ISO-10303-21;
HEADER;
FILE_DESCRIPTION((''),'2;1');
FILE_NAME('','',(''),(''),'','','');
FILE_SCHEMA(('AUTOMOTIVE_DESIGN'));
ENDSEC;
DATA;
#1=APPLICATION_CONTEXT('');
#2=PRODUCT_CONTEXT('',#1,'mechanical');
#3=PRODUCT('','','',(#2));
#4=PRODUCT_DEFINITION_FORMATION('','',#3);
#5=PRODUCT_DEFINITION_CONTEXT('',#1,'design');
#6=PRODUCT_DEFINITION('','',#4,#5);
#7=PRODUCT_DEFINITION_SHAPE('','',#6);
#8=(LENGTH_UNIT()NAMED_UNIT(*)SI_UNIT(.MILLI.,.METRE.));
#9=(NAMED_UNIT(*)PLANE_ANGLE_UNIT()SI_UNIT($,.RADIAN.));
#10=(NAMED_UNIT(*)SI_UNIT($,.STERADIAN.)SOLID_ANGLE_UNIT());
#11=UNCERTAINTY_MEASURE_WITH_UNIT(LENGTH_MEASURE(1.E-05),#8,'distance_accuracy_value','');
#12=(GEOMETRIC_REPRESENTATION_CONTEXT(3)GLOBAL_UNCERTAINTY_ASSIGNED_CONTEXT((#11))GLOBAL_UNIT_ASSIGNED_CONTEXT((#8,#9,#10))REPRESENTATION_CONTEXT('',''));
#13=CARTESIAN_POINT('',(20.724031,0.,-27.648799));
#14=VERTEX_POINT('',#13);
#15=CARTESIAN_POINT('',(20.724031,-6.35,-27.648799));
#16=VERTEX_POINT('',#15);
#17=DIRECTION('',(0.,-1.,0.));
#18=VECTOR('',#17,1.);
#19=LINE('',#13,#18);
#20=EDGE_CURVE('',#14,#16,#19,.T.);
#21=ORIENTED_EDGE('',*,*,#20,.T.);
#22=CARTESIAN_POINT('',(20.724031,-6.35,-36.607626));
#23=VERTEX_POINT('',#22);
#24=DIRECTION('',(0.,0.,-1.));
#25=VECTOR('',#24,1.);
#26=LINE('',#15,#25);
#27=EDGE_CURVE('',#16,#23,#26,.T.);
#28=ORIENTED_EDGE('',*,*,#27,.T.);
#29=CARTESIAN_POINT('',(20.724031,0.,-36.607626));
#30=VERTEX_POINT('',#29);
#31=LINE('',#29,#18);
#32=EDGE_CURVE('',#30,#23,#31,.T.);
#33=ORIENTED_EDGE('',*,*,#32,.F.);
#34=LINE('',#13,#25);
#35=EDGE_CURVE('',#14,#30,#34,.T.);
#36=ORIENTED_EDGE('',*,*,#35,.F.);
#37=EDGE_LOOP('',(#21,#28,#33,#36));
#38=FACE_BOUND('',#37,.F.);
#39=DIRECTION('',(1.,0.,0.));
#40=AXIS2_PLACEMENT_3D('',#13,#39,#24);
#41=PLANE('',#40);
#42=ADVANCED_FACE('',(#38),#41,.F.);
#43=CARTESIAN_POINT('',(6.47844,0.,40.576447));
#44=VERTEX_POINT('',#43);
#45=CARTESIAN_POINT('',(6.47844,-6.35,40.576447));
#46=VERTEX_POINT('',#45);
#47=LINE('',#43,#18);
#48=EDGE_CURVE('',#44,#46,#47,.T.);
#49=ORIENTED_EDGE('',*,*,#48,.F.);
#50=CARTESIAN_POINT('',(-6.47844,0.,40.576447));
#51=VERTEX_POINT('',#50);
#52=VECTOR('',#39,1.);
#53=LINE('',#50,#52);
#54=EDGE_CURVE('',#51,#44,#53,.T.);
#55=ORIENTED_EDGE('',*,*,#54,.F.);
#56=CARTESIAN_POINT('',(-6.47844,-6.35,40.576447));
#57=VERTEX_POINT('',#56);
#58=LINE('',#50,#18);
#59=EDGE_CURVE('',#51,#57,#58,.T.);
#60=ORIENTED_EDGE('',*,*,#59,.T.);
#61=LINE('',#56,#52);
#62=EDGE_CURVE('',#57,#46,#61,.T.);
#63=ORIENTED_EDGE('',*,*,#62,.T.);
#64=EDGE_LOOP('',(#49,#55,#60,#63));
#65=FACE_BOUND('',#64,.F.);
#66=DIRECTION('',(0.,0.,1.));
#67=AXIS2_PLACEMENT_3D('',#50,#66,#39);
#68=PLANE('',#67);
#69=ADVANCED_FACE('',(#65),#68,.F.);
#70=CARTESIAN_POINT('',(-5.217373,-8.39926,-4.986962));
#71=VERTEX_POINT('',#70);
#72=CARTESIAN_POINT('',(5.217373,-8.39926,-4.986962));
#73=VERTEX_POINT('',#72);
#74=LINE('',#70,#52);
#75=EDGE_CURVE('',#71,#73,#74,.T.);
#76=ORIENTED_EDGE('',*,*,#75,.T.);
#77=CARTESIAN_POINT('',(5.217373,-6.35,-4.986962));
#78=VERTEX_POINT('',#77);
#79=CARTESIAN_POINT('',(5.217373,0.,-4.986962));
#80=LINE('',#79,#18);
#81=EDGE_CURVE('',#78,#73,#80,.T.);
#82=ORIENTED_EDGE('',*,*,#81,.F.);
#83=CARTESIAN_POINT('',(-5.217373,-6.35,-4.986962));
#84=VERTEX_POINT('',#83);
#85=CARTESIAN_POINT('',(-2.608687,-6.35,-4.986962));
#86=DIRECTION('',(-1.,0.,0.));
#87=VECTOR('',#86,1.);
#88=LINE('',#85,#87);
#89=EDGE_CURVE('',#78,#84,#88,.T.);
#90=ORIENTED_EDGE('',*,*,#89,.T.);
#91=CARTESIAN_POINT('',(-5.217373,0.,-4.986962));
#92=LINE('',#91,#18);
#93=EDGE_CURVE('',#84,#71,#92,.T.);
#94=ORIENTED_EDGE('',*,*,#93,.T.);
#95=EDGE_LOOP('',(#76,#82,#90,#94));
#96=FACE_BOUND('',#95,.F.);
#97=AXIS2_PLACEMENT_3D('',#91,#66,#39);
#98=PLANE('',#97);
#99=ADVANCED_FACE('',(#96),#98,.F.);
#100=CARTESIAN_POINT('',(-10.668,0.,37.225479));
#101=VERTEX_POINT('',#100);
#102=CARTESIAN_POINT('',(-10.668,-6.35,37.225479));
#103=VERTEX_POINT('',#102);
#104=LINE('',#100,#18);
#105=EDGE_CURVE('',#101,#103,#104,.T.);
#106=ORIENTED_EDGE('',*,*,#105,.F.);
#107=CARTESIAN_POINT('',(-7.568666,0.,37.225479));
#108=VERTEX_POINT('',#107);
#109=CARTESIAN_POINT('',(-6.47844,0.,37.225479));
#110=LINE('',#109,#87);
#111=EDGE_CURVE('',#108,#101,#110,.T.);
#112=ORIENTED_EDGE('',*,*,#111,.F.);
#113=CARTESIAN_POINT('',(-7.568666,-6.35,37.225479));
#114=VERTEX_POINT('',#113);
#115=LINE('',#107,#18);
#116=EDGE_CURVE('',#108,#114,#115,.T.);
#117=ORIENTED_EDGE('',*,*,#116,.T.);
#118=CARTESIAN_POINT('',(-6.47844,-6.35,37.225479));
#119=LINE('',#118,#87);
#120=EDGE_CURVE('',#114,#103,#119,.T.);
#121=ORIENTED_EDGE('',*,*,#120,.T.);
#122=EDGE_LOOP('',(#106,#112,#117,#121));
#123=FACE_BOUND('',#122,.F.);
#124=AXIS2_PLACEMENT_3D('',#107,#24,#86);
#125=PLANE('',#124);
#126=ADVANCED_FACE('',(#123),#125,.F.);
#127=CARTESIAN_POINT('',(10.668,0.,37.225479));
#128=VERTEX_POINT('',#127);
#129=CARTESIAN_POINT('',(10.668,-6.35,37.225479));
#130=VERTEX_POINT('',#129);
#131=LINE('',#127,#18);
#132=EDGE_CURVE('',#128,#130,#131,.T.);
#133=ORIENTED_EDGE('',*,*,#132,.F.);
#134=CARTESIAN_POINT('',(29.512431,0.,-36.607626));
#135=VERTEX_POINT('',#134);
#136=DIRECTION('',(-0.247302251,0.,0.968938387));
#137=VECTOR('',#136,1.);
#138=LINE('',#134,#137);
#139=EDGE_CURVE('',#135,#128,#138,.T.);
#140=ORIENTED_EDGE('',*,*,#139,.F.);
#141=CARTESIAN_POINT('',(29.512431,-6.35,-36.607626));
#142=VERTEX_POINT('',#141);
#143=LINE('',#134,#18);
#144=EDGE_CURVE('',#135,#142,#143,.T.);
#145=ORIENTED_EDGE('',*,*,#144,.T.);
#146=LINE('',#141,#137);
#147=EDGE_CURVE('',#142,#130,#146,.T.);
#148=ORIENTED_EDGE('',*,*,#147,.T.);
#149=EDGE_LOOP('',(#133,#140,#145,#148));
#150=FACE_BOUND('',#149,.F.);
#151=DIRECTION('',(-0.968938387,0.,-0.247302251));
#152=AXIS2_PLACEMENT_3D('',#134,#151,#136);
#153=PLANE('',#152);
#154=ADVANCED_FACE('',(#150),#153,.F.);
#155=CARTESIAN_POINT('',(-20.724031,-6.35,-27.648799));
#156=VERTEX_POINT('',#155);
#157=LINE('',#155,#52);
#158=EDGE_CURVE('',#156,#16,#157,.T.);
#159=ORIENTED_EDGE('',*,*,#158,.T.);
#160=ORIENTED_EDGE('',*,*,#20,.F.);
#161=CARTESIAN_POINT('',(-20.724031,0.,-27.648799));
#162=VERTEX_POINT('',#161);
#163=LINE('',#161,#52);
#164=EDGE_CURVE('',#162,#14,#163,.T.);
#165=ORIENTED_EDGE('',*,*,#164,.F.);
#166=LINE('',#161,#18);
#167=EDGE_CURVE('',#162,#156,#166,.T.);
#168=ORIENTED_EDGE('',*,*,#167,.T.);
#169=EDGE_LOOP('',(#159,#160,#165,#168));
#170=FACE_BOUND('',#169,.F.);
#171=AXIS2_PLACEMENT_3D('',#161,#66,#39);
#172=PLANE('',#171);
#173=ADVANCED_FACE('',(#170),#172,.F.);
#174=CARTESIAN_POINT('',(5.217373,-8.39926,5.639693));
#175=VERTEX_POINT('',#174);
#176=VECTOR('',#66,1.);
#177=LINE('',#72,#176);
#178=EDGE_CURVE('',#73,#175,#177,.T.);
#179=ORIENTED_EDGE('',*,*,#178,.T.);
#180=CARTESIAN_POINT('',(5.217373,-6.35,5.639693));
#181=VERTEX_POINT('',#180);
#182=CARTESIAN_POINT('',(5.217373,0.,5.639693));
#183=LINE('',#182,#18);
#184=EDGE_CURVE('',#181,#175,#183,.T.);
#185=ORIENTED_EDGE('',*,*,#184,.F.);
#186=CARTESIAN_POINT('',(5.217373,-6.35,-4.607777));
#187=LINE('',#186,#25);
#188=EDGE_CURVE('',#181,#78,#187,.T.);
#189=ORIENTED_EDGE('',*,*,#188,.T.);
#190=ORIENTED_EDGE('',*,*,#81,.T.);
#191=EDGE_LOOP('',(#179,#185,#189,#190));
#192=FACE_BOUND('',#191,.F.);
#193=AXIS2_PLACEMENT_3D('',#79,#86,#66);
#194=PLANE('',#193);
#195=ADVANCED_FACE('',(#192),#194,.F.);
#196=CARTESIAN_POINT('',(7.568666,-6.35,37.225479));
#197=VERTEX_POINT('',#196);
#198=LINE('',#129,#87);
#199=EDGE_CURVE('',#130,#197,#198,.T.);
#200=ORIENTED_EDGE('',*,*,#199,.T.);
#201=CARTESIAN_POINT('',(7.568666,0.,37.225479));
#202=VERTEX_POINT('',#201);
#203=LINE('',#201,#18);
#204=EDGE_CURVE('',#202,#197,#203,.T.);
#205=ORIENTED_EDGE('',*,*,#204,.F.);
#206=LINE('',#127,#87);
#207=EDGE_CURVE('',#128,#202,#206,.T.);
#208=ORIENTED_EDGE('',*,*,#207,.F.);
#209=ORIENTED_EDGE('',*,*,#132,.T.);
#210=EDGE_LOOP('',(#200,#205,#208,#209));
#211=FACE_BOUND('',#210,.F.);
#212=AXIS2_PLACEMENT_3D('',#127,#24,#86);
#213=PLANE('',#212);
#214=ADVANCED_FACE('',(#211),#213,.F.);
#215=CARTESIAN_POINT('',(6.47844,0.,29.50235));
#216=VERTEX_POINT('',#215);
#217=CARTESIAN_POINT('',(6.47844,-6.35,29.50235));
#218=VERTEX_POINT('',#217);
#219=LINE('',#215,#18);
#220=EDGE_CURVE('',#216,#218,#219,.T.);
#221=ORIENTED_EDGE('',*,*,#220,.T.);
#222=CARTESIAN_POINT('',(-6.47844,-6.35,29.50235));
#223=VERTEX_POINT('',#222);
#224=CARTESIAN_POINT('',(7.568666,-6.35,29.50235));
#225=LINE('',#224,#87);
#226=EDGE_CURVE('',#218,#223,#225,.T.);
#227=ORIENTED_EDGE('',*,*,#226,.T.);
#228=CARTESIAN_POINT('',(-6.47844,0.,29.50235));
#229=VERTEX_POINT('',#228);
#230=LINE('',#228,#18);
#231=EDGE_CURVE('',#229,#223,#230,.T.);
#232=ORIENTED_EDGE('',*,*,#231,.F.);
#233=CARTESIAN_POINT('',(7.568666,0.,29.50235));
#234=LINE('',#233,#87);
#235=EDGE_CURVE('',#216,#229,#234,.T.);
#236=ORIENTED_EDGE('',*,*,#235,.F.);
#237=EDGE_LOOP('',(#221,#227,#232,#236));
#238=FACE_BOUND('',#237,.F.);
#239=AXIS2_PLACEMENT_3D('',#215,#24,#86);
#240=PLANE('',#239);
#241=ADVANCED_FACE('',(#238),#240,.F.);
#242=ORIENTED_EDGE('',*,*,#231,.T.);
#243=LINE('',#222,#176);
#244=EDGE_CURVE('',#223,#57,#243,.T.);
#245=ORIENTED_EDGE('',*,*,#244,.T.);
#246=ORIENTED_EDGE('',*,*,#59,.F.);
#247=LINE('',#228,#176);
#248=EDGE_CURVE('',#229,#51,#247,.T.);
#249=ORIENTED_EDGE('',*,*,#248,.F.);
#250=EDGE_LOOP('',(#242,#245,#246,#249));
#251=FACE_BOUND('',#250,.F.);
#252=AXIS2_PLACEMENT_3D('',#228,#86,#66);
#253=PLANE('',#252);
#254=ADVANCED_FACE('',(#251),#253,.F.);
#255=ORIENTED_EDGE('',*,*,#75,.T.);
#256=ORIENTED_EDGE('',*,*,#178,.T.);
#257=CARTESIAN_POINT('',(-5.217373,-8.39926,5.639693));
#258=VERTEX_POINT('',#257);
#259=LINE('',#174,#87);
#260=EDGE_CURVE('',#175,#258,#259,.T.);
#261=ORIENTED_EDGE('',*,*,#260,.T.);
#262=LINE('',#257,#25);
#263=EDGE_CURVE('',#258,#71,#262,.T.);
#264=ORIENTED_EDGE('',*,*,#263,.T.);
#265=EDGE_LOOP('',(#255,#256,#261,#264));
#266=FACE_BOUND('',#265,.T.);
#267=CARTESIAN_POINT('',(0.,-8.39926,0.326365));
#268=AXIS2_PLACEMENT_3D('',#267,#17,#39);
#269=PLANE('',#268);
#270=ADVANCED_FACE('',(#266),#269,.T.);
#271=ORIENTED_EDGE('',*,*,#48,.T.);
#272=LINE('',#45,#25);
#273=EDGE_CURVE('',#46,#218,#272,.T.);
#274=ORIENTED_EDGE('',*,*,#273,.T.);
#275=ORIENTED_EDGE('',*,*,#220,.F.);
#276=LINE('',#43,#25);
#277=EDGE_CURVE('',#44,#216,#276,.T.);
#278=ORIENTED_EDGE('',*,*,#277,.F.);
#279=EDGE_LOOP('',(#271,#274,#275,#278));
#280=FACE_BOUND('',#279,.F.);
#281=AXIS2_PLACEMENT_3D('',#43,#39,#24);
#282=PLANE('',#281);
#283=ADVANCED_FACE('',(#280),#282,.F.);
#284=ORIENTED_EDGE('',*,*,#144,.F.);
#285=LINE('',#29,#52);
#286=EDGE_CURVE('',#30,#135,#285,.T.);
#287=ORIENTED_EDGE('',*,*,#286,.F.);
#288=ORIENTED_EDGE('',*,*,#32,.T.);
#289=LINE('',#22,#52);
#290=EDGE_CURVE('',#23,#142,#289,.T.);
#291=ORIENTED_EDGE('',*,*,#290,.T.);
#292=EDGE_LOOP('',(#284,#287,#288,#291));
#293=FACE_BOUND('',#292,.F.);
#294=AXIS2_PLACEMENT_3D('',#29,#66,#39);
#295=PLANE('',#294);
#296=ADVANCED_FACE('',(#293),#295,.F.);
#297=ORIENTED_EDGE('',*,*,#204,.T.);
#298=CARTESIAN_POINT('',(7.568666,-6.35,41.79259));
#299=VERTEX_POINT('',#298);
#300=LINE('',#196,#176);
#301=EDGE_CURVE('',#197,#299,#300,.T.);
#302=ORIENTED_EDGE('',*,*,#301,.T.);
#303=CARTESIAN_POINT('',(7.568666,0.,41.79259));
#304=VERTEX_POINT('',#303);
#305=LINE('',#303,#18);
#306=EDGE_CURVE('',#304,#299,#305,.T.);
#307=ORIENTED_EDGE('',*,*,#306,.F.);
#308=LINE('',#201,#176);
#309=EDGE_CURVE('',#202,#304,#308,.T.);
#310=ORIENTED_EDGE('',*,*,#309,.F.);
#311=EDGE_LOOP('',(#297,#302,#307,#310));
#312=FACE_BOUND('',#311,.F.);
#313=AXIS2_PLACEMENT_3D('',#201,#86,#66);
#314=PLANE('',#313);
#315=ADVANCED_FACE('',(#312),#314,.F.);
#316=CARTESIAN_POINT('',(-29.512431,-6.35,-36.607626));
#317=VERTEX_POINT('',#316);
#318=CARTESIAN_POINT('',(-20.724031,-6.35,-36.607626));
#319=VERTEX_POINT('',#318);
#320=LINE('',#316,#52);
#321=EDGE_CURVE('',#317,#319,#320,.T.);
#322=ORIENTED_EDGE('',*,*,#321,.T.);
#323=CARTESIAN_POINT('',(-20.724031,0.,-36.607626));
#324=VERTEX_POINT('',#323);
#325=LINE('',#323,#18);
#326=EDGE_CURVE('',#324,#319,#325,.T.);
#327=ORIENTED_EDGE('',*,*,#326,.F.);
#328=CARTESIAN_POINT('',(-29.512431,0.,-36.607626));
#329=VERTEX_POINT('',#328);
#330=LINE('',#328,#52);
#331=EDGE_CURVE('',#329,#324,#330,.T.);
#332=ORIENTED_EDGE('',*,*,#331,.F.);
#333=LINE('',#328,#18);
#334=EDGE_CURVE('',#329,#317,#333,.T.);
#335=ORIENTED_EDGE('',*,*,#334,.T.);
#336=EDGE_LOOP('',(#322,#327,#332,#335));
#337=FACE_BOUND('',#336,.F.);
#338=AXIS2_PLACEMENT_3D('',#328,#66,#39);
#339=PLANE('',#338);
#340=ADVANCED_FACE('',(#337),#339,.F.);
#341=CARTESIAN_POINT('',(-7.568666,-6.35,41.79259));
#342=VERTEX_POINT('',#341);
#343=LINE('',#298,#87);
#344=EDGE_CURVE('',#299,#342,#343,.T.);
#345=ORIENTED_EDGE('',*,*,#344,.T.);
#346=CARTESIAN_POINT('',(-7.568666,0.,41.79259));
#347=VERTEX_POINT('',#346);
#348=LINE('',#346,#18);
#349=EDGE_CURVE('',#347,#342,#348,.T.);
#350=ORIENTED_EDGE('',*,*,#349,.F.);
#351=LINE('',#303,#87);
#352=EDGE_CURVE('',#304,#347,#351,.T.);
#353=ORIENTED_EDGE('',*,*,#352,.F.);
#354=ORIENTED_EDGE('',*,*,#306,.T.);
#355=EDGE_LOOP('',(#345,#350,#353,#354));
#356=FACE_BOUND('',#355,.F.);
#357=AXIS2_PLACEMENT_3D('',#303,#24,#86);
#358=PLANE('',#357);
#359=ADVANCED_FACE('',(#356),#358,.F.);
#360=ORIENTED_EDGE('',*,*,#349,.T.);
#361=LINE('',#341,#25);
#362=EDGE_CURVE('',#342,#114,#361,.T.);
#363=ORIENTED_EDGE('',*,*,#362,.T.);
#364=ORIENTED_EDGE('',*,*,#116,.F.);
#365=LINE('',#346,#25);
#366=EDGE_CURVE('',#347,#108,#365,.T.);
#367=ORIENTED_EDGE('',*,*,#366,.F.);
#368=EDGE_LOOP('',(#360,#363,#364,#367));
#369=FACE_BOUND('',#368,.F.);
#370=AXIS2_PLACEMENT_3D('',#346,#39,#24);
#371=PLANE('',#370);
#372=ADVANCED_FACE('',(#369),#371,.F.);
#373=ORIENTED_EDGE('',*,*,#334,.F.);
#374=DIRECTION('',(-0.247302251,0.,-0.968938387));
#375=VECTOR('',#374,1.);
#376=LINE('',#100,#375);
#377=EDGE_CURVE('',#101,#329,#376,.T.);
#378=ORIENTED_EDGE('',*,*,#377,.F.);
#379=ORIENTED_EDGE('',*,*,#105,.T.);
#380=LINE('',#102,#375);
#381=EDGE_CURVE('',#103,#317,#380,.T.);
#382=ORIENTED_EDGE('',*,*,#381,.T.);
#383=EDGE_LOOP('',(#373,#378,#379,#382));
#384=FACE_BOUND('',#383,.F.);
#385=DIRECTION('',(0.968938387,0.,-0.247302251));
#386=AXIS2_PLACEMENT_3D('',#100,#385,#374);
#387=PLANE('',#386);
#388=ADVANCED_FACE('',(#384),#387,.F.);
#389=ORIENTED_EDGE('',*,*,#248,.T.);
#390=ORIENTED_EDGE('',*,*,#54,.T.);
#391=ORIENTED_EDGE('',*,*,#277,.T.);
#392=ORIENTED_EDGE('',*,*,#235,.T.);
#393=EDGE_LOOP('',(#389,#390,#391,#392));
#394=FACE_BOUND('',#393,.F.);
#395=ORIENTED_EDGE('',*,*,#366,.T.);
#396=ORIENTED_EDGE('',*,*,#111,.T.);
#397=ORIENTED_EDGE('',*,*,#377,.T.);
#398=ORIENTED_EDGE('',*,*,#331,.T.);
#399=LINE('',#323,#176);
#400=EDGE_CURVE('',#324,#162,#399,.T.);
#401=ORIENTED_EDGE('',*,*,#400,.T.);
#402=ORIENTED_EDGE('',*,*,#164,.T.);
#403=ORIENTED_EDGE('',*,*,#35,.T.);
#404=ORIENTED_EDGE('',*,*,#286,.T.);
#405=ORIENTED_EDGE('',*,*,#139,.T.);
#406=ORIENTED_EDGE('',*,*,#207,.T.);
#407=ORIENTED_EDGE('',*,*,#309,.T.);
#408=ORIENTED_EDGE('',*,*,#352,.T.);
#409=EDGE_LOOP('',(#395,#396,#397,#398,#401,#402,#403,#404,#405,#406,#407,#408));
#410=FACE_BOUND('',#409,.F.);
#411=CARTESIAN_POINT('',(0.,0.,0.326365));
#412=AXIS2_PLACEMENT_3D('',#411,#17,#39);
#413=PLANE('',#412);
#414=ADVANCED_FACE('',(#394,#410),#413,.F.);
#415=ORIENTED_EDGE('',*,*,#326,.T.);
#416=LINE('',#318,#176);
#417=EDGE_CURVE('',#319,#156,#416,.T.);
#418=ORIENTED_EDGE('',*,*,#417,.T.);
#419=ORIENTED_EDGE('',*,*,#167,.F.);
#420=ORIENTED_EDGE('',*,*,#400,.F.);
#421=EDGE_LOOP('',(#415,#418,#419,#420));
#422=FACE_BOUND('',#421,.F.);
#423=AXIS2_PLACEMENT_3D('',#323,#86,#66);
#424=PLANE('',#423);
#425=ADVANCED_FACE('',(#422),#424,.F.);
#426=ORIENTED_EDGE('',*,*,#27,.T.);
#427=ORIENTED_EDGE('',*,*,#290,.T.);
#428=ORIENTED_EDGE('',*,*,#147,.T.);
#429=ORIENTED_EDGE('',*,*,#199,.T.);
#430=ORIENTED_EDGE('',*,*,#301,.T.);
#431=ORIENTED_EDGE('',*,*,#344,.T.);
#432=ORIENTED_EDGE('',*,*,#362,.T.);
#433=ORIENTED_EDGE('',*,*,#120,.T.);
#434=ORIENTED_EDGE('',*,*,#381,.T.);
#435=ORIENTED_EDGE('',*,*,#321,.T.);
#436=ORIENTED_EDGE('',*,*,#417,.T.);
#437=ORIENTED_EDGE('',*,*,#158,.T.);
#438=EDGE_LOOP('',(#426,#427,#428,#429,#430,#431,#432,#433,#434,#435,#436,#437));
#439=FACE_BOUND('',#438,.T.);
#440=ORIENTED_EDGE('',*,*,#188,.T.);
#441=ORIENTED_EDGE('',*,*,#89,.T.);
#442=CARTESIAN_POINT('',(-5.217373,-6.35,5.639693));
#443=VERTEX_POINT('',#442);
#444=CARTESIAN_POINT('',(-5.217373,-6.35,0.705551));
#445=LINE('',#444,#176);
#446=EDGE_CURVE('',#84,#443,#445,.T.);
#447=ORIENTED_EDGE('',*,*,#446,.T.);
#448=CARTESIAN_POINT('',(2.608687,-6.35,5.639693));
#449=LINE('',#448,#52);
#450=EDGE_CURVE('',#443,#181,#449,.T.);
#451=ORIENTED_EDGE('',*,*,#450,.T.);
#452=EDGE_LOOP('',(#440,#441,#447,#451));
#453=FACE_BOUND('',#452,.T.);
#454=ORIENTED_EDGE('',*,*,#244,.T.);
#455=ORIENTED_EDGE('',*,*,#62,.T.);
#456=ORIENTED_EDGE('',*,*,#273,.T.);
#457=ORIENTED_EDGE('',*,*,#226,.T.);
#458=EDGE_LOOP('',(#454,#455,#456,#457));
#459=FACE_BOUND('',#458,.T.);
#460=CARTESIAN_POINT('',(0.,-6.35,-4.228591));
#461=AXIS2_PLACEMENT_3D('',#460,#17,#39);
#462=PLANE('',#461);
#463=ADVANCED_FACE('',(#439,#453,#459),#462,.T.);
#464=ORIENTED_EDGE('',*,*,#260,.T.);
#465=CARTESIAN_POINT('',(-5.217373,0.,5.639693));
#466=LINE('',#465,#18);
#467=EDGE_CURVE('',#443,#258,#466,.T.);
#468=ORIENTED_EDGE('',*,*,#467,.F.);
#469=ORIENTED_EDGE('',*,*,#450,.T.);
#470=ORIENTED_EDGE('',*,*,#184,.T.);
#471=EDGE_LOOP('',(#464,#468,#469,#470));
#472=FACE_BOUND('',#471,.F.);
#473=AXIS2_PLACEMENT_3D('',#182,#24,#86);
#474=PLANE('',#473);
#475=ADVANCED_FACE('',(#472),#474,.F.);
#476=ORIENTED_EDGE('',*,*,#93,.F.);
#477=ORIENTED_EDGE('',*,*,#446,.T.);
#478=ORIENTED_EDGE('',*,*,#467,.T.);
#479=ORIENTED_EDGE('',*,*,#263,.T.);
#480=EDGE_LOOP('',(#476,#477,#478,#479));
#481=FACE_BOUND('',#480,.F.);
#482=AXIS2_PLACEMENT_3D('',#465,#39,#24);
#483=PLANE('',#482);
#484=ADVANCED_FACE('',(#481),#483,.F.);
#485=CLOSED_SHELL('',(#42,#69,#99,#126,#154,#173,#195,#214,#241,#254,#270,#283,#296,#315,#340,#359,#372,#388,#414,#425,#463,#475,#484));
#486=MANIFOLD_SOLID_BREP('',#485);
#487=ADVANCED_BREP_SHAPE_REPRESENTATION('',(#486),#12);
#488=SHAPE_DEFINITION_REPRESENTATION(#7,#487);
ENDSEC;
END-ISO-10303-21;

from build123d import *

# Parameters (mm, degrees)
F0_W     = 1.090225624
F0_H     = 7.7231296032
F1_DEPTH = 6.35
F3_DEPTH = 8.39926


with BuildPart() as f1:
    # F0 (on Front) → F1 (new body)
    with BuildSketch(Plane.XZ):
        Polygon((-7.5686656406, 37.2254792051), (-10.668, 37.2254792051), (-29.5124314971, -36.6076258465), (-20.7240314971, -36.6076258465), (-20.7240314971, -27.6487994939), (0, -27.6487994939), (20.7240314971, -27.6487994939), (20.7240314971, -36.6076258465), (29.5124314971, -36.6076258465), (10.668, 37.2254792051), (7.5686656406, 37.2254792051), (7.5686656406, 29.5023496019), (6.4784400165, 29.5023496019), (0, 29.5023496019), (-6.4784400165, 29.5023496019), (-7.5686656406, 29.5023496019), align=None)
        with Locations((-7.0235528285, 33.3639144035)):
            Rectangle(F0_W, F0_H)
        Polygon((-7.5686656406, 41.7925901711), (-7.5686656406, 37.2254792051), (-6.4784400165, 37.2254792051), (-6.4784400165, 40.5764468014), (0, 40.5764468014), (6.4784400165, 40.5764468014), (6.4784400165, 37.2254792051), (7.5686656406, 37.2254792051), (7.5686656406, 41.7925901711), (0, 41.7925901711), align=None)
        with Locations((7.0235528285, 33.3639144035)):
            Rectangle(F0_W, F0_H)
    extrude(amount=F1_DEPTH)

    # F2 (on Front) → F3 (join)
    with BuildSketch(Plane.XZ):
        Polygon((0, 5.6396927685), (-5.2173733711, 5.6396927685), (-5.2173733711, -4.9869618379), (0, -4.9869618379), (5.2173733711, -4.9869618379), (5.2173733711, 5.6396927685), align=None)
    extrude(amount=F3_DEPTH)


solid = f1.part
